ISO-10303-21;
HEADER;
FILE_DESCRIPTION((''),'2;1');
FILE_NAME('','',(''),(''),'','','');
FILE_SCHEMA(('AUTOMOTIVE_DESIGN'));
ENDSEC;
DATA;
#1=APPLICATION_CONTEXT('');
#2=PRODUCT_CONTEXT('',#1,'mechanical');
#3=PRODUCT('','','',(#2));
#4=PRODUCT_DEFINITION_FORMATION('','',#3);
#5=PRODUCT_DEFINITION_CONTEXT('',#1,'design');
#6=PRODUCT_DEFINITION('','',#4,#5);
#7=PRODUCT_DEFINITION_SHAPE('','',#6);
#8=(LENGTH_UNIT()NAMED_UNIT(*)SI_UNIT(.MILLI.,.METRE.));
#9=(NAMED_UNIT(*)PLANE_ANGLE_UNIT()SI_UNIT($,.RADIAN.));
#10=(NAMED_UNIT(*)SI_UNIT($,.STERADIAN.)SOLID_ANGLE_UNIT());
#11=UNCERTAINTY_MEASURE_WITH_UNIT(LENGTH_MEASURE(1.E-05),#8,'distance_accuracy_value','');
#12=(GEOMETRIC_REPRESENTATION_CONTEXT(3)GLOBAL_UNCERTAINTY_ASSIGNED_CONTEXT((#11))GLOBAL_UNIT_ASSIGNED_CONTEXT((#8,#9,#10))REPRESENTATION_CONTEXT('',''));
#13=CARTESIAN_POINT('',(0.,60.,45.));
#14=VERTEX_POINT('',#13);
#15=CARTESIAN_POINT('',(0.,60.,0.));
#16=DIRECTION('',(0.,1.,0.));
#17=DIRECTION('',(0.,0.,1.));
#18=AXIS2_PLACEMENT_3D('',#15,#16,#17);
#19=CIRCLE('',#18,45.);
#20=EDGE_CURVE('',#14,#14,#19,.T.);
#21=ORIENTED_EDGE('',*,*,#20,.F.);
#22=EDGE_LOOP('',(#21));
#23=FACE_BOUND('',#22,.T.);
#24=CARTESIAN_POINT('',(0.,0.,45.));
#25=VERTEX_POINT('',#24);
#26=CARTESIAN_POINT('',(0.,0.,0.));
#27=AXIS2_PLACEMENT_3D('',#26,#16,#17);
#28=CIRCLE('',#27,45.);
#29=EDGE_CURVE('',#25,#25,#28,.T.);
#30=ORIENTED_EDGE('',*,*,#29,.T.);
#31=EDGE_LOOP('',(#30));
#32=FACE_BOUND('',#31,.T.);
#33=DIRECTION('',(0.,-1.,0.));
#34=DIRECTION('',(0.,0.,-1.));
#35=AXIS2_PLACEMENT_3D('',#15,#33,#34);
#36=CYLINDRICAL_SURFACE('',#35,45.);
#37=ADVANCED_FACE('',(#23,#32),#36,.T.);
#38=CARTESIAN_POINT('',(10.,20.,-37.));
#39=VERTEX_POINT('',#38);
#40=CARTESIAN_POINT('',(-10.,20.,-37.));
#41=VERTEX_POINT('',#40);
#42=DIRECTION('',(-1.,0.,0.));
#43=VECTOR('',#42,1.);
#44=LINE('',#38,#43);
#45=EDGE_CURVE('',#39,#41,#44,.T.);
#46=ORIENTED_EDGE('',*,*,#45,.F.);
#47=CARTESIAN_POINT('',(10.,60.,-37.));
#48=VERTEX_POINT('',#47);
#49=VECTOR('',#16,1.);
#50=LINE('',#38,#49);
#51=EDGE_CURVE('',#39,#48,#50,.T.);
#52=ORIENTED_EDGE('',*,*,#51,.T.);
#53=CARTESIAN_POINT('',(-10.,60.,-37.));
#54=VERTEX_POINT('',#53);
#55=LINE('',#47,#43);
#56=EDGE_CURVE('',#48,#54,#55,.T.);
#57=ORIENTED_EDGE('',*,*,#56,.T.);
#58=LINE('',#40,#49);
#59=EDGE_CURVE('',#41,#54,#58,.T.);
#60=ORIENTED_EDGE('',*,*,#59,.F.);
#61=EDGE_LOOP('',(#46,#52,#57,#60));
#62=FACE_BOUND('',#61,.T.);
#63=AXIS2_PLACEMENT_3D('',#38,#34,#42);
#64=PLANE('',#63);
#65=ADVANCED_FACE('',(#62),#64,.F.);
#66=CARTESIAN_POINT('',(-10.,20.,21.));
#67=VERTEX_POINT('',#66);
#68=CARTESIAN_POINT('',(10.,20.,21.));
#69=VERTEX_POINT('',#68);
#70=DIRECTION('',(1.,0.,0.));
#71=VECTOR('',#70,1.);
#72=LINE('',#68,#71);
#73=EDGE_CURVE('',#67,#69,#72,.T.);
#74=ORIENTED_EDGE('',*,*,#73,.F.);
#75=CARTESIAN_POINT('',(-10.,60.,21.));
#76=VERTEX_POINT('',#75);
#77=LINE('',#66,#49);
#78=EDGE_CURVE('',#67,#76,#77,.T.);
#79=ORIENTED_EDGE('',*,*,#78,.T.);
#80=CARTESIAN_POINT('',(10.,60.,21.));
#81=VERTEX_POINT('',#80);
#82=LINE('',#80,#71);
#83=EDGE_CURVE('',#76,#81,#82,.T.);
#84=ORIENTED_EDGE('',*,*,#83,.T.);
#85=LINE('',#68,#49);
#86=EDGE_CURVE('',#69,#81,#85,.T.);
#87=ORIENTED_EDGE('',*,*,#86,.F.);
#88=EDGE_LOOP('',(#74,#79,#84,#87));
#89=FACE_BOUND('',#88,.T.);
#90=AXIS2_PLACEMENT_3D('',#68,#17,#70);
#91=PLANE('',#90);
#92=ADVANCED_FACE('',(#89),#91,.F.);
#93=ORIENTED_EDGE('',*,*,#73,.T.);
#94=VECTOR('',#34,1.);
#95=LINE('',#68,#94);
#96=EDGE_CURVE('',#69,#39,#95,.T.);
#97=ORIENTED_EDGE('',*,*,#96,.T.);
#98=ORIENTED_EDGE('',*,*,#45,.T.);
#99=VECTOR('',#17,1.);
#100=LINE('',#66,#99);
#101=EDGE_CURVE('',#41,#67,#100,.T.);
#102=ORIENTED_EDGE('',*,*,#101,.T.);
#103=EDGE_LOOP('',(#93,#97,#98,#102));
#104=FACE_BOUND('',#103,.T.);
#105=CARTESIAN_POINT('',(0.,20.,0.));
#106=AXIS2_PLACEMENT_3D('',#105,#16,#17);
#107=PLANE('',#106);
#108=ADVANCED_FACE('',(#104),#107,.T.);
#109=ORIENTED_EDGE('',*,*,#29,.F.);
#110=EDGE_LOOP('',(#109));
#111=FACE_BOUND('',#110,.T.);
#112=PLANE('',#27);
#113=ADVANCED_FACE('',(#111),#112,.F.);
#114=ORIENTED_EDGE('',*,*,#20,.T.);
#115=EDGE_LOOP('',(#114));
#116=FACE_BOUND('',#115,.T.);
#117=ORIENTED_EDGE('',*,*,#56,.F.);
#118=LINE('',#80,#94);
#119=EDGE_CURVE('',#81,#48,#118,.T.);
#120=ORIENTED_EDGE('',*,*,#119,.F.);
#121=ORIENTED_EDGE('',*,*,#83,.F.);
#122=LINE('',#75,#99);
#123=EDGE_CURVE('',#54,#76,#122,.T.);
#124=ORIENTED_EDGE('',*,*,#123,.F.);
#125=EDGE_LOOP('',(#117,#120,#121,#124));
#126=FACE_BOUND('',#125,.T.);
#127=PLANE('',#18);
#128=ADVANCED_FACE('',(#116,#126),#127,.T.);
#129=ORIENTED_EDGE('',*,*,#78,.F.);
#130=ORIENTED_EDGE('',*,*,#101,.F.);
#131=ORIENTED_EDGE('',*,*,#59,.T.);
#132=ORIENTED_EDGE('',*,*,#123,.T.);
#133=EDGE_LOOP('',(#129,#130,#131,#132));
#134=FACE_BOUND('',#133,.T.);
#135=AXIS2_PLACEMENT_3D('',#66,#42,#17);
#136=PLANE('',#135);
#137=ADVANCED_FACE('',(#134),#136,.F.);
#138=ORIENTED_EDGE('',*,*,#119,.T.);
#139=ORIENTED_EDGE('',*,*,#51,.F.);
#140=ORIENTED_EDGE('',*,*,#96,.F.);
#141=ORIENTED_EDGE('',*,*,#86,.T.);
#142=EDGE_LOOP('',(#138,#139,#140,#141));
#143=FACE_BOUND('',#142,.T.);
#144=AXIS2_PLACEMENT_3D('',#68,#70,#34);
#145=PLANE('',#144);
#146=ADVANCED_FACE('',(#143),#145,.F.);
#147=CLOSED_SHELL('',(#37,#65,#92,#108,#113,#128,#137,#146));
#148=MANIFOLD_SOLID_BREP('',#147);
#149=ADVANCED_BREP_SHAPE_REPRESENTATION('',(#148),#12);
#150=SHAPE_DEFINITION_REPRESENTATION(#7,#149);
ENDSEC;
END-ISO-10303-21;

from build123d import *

# Parameters (mm, degrees)
SKETCH1_R           = 45
BOSS_EXTRUDE1_DEPTH = 60
SKETCH2_W           = 20
SKETCH2_H           = 58
CUT_EXTRUDE1_DEPTH  = 40


with BuildPart() as part:
    # Sketch1 → Boss-Extrude1 (new body)
    with BuildSketch(Plane(origin=(0, 0, 0), x_dir=(1, 0, 0), z_dir=(0, 1, 0))):
        with Locations(Location((0, 0, 0), (0, 0, 270))):
            Circle(SKETCH1_R)
    extrude(amount=BOSS_EXTRUDE1_DEPTH)

    # Sketch2 → Cut-Extrude1 (cut)
    with BuildSketch(Plane(origin=(0, 60, 0), x_dir=(1, 0, 0), z_dir=(0, 1, 0))):
        with Locations((0, 8)):
            Rectangle(SKETCH2_W, SKETCH2_H)
    extrude(amount=-CUT_EXTRUDE1_DEPTH, mode=Mode.SUBTRACT)


solid = part.part
